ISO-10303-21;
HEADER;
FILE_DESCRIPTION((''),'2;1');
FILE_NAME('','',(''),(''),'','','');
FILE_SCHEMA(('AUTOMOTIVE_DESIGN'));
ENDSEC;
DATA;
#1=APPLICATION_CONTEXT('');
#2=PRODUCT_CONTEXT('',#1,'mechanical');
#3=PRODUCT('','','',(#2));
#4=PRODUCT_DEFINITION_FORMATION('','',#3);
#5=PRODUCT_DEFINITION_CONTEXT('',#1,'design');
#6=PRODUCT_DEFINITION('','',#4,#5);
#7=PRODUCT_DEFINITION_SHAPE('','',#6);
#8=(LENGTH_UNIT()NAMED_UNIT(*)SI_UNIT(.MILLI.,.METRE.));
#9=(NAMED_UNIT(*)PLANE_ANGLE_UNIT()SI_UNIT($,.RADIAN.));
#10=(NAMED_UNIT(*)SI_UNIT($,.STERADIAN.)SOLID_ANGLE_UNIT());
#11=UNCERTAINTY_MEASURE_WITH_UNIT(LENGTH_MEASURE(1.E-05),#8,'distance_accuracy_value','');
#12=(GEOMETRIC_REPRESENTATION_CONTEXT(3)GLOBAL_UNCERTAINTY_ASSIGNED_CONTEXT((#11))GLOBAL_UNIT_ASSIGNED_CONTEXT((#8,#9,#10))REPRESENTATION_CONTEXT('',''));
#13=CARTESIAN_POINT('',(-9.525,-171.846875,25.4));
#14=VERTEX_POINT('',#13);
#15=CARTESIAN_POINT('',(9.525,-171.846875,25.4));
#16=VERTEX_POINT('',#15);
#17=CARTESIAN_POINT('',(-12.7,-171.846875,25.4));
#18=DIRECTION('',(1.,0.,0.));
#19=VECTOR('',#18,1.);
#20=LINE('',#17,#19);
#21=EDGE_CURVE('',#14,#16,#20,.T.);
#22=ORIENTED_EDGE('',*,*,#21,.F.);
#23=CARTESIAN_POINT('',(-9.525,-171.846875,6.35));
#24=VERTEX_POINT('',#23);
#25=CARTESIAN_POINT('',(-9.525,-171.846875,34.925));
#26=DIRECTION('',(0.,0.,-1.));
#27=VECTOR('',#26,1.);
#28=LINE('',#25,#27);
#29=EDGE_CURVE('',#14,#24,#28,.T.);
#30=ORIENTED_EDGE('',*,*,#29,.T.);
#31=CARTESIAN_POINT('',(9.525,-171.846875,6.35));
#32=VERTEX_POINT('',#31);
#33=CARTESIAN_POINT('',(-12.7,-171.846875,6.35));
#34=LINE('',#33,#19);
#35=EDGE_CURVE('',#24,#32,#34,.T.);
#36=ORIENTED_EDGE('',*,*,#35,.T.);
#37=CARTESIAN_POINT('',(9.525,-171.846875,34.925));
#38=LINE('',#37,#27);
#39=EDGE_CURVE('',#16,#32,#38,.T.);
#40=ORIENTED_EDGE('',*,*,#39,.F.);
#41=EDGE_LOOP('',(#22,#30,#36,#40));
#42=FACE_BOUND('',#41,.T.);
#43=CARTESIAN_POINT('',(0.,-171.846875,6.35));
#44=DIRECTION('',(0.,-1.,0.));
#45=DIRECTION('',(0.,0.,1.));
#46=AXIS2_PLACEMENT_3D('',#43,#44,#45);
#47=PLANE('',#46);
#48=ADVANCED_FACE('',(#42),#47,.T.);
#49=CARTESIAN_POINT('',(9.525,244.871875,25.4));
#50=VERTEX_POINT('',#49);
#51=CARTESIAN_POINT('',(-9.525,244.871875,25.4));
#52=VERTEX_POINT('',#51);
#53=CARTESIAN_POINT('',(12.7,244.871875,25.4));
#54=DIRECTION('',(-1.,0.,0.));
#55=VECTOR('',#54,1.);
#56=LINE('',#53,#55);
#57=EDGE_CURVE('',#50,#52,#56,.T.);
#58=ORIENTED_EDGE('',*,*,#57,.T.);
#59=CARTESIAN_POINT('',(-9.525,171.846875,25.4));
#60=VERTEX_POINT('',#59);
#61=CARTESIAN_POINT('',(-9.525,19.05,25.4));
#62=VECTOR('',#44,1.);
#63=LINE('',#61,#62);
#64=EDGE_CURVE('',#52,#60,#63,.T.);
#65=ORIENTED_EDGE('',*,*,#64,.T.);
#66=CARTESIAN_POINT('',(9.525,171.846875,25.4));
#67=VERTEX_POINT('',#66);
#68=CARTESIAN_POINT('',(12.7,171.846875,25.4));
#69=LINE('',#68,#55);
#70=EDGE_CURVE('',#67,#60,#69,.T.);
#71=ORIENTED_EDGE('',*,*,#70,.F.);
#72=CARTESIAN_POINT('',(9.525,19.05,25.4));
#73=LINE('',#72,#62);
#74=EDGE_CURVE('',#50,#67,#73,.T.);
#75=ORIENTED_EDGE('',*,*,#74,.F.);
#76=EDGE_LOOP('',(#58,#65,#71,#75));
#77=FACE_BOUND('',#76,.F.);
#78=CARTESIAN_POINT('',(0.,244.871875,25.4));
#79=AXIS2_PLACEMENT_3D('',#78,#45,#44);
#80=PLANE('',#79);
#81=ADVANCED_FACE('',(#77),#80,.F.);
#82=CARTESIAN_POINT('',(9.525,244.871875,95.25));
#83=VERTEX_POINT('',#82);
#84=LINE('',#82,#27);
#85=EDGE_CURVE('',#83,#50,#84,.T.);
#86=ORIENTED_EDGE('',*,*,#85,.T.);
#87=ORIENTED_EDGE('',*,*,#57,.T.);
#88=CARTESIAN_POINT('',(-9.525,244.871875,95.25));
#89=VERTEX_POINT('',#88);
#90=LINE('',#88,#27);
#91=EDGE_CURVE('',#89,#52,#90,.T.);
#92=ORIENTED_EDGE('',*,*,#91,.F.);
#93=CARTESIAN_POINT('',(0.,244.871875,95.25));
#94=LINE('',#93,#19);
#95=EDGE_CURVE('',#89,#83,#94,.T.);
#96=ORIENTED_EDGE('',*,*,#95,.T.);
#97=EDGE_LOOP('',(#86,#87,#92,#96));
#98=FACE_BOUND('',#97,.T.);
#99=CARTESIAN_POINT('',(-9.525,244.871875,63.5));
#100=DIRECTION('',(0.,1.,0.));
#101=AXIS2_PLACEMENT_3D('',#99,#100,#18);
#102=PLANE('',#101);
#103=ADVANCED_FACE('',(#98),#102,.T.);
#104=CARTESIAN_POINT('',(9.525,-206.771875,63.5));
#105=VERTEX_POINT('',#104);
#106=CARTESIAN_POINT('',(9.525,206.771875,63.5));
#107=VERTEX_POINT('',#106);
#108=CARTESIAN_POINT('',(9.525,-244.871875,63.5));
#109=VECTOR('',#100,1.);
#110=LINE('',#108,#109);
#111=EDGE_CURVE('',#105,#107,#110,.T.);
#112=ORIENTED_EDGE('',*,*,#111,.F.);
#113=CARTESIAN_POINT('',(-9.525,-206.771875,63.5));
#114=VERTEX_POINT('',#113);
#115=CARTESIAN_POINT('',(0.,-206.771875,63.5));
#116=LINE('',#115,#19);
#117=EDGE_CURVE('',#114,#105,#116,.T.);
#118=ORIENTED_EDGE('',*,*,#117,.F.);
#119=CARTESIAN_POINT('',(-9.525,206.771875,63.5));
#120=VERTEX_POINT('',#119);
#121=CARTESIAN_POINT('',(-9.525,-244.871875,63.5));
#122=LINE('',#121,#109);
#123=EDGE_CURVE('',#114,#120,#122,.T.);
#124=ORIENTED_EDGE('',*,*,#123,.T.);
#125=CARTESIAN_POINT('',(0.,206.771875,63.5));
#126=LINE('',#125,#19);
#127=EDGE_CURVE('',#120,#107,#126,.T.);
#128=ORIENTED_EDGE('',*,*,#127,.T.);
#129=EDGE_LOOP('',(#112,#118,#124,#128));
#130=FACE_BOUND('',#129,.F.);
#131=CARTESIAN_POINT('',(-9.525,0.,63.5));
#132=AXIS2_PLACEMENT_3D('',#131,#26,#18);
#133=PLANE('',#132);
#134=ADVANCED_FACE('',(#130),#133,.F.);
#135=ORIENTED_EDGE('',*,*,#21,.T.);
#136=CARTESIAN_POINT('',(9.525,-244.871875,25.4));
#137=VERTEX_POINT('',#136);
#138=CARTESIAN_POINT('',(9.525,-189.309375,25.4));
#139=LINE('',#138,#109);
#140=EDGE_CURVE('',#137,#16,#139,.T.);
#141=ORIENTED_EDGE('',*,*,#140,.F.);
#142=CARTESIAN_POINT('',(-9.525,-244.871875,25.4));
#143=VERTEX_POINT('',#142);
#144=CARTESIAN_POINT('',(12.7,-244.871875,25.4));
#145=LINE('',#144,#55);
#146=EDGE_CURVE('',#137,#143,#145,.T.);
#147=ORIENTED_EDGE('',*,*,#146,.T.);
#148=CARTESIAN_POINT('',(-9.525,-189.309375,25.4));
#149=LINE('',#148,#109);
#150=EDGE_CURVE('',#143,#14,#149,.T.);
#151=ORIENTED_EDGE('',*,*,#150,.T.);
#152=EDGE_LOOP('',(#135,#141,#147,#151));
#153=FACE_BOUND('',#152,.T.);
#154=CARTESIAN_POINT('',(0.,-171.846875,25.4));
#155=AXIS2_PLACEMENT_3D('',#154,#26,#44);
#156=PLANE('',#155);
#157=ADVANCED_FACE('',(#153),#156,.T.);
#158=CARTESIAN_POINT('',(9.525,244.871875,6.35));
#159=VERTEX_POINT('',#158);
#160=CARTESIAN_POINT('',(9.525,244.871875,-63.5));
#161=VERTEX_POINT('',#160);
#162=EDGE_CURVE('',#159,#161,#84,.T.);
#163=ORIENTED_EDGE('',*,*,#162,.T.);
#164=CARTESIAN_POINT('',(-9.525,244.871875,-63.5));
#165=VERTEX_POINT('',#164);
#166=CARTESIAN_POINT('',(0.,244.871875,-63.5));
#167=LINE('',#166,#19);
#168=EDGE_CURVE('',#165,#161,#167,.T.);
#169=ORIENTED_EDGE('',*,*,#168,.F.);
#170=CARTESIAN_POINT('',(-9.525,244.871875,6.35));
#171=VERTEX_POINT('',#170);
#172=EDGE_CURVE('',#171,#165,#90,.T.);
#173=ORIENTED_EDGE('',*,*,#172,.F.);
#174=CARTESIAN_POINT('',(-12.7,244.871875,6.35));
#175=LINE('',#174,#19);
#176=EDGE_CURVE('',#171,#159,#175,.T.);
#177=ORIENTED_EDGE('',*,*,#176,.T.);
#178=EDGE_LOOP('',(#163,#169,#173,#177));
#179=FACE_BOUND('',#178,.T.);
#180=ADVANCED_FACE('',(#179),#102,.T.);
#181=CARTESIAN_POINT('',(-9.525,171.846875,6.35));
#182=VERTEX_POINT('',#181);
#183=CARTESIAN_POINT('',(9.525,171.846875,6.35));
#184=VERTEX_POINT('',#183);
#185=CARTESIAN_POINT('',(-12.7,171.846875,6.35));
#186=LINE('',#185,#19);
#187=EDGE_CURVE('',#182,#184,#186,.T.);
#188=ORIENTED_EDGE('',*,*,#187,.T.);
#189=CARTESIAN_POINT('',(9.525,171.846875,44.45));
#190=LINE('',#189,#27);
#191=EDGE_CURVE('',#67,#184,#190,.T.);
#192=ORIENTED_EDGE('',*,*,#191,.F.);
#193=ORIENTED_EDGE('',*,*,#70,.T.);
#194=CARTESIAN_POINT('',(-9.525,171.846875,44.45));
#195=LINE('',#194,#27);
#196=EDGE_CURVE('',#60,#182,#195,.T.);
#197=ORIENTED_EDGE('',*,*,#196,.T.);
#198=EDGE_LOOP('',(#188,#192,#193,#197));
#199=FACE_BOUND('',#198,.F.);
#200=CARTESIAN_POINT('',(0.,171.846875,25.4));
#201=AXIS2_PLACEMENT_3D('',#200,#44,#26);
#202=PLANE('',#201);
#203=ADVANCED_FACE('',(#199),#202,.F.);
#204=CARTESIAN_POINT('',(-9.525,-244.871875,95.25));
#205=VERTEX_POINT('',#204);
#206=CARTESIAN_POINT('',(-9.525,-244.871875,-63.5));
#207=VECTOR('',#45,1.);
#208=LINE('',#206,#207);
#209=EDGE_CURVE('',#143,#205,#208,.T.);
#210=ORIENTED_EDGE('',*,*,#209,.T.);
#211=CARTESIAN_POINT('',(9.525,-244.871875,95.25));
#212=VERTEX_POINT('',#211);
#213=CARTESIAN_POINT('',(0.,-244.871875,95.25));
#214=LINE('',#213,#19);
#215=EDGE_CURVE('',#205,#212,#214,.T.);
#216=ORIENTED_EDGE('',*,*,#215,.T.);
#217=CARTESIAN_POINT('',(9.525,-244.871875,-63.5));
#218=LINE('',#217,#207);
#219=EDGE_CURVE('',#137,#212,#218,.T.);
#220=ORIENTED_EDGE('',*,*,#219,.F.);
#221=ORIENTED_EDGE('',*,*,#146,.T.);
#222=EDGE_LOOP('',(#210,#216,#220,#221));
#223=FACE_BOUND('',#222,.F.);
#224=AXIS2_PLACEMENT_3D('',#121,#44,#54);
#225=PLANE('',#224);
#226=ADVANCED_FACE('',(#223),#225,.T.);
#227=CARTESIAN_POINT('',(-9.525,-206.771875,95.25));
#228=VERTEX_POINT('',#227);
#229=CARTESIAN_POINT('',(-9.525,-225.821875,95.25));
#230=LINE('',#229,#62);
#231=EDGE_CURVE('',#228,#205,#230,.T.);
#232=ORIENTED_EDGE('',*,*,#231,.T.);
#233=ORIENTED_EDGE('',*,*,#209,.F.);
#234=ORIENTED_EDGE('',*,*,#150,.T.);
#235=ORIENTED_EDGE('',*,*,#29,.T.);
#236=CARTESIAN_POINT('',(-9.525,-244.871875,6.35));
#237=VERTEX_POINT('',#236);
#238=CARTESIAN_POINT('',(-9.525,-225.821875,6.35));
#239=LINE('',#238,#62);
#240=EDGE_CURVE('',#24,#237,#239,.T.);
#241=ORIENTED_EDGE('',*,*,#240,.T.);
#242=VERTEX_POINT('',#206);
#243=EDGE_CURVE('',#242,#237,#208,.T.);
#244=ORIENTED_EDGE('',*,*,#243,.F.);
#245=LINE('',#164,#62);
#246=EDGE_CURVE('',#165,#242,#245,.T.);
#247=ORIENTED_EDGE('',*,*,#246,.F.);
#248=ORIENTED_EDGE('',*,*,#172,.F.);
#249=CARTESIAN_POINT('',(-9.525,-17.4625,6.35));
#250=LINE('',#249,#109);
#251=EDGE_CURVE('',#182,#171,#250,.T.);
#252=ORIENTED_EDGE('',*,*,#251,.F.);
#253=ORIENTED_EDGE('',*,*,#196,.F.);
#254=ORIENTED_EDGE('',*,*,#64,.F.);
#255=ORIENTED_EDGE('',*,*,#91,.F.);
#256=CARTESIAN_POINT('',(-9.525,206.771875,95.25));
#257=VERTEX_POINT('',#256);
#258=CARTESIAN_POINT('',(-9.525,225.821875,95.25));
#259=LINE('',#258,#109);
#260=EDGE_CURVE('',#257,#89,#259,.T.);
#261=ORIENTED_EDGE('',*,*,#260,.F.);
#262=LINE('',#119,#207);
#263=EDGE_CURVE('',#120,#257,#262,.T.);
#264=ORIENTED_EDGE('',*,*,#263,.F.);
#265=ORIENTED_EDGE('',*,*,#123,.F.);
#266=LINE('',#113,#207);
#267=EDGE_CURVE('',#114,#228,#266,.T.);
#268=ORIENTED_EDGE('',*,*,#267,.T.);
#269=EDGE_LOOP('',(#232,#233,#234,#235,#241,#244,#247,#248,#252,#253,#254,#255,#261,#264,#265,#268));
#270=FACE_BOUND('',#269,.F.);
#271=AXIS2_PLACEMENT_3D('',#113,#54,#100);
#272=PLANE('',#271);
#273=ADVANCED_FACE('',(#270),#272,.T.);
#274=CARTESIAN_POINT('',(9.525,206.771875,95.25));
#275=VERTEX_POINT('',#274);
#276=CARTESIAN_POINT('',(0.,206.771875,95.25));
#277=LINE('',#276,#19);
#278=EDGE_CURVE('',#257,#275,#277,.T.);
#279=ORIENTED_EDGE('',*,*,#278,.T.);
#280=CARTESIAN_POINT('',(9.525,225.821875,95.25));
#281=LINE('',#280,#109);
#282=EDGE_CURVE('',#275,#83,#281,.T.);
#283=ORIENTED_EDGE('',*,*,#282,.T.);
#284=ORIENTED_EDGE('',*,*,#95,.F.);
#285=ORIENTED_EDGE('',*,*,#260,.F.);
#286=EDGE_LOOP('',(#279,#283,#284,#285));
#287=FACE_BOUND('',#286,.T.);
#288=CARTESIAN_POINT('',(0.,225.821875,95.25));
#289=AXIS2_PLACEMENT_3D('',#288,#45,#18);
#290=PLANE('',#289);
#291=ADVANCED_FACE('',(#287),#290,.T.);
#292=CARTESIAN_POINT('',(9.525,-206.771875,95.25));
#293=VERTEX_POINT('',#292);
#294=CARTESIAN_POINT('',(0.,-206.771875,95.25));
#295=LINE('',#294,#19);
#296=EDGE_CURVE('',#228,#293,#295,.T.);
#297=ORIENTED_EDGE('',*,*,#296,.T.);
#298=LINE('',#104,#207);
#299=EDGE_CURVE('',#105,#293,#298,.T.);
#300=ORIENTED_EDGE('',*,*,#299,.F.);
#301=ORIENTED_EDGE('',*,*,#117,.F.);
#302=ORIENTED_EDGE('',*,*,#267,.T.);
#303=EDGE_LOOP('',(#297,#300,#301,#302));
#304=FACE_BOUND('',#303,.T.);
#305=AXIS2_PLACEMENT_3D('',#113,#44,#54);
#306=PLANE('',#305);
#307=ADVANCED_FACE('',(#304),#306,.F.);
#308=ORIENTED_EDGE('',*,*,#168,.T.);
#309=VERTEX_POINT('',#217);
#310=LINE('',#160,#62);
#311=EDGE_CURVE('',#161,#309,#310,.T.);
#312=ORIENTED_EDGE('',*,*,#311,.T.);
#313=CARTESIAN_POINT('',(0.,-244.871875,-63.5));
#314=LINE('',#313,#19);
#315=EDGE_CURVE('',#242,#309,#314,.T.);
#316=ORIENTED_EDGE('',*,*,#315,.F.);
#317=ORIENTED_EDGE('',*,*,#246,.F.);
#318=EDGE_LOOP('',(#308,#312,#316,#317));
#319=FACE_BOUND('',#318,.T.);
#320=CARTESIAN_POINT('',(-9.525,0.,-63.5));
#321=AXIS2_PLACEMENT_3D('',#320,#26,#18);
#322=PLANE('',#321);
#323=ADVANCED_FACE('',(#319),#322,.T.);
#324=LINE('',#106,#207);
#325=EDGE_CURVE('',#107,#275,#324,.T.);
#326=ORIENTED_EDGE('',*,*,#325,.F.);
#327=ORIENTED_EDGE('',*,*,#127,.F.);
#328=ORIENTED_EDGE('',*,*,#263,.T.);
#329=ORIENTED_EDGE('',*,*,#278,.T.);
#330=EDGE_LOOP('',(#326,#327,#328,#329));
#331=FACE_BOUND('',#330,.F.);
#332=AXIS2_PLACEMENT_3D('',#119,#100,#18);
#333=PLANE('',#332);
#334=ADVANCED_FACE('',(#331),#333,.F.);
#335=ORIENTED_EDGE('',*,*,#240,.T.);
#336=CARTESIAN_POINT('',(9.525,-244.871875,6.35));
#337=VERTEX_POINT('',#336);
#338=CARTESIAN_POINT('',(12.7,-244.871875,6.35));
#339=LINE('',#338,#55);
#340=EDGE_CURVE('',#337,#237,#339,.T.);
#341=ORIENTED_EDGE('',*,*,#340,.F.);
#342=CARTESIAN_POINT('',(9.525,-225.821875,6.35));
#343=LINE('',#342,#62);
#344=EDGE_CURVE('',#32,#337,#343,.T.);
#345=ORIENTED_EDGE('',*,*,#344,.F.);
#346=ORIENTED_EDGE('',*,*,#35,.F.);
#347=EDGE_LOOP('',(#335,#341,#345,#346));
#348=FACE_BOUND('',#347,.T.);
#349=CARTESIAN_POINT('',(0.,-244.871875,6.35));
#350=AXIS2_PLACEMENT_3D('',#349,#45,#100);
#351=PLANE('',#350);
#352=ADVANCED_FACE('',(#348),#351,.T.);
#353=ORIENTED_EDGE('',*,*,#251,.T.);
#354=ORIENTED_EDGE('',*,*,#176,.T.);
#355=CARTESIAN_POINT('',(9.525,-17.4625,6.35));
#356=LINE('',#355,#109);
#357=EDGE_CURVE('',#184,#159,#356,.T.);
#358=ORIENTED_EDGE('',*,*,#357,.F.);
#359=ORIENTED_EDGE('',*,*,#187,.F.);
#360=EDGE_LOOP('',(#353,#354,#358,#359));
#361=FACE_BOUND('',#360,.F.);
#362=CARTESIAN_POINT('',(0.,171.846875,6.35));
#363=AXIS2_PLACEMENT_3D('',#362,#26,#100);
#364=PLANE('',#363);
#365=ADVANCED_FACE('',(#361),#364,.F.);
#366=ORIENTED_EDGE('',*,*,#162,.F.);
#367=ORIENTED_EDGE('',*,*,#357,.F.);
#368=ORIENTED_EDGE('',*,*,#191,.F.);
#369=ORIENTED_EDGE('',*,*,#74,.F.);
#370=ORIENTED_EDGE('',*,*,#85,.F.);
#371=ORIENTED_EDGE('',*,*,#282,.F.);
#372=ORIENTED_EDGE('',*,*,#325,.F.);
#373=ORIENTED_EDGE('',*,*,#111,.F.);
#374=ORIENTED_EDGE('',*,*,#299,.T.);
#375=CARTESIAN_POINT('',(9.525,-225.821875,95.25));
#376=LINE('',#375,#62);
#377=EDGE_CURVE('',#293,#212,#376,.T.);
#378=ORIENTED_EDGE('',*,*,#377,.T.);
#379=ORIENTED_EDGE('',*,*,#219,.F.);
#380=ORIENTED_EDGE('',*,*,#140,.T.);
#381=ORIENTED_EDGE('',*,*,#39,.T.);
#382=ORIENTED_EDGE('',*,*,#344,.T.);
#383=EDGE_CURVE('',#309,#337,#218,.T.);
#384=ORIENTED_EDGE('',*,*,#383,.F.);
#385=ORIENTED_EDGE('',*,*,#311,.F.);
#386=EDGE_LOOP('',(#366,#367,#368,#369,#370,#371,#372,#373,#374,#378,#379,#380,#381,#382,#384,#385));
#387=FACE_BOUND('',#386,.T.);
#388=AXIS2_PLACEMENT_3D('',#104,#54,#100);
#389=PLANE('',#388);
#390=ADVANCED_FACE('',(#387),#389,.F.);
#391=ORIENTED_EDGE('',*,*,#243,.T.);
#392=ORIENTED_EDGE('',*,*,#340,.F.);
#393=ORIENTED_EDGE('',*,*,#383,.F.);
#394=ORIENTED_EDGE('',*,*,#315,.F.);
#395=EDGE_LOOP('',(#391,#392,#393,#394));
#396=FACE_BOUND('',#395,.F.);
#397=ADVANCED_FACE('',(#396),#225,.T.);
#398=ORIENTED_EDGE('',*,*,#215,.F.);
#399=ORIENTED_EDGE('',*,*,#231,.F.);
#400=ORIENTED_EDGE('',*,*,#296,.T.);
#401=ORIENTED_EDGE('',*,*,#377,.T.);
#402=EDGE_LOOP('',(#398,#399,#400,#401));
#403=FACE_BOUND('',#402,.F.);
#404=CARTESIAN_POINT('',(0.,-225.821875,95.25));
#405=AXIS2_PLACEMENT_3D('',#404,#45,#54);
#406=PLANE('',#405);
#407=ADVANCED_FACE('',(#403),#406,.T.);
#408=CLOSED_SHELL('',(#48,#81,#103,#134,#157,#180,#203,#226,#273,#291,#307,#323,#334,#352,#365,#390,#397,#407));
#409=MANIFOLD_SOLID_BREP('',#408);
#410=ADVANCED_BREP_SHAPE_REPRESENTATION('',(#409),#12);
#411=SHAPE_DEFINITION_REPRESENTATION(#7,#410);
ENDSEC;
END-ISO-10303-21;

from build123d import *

# Parameters (mm, degrees)
F0_W     = 19.05
F0_H     = 127
F1_DEPTH = 244.871875
F2_W     = 19.05
F2_H     = 38.1
F3_DEPTH = 31.75
F6_DEPTH = 12.7


with BuildPart() as f1:
    # F0 (on Front) → F1 (new body, symmetric)
    with BuildSketch(Plane.XZ):
        Rectangle(F0_W, F0_H)
    extrude(amount=F1_DEPTH, both=True)

    # F2 (on face) → F3 (join)
    with BuildSketch(Plane.XY.offset(63.5)):
        with Locations((0, 225.821875)):
            Rectangle(F2_W, F2_H)
    extrude(amount=F3_DEPTH)

    # F4: F1 across plane


with BuildPart() as f1_1:
    add(f1.part)
    add(f1.part.mirror(Plane.XZ))

    # F5 (on Right) → F6 (cut, symmetric)
    with BuildSketch(Plane.YZ):
        Polygon((-244.871875, 6.35), (-216.296875, 6.35), (-171.846875, 6.35), (-171.846875, 25.4), (-216.296875, 25.4), (-244.871875, 25.4), align=None)
        Polygon((216.296875, 25.4), (171.846875, 25.4), (171.846875, 6.35), (216.296875, 6.35), (244.871875, 6.35), (244.871875, 25.4), align=None)
    extrude(amount=F6_DEPTH, both=True, mode=Mode.SUBTRACT)


solid = f1_1.part
